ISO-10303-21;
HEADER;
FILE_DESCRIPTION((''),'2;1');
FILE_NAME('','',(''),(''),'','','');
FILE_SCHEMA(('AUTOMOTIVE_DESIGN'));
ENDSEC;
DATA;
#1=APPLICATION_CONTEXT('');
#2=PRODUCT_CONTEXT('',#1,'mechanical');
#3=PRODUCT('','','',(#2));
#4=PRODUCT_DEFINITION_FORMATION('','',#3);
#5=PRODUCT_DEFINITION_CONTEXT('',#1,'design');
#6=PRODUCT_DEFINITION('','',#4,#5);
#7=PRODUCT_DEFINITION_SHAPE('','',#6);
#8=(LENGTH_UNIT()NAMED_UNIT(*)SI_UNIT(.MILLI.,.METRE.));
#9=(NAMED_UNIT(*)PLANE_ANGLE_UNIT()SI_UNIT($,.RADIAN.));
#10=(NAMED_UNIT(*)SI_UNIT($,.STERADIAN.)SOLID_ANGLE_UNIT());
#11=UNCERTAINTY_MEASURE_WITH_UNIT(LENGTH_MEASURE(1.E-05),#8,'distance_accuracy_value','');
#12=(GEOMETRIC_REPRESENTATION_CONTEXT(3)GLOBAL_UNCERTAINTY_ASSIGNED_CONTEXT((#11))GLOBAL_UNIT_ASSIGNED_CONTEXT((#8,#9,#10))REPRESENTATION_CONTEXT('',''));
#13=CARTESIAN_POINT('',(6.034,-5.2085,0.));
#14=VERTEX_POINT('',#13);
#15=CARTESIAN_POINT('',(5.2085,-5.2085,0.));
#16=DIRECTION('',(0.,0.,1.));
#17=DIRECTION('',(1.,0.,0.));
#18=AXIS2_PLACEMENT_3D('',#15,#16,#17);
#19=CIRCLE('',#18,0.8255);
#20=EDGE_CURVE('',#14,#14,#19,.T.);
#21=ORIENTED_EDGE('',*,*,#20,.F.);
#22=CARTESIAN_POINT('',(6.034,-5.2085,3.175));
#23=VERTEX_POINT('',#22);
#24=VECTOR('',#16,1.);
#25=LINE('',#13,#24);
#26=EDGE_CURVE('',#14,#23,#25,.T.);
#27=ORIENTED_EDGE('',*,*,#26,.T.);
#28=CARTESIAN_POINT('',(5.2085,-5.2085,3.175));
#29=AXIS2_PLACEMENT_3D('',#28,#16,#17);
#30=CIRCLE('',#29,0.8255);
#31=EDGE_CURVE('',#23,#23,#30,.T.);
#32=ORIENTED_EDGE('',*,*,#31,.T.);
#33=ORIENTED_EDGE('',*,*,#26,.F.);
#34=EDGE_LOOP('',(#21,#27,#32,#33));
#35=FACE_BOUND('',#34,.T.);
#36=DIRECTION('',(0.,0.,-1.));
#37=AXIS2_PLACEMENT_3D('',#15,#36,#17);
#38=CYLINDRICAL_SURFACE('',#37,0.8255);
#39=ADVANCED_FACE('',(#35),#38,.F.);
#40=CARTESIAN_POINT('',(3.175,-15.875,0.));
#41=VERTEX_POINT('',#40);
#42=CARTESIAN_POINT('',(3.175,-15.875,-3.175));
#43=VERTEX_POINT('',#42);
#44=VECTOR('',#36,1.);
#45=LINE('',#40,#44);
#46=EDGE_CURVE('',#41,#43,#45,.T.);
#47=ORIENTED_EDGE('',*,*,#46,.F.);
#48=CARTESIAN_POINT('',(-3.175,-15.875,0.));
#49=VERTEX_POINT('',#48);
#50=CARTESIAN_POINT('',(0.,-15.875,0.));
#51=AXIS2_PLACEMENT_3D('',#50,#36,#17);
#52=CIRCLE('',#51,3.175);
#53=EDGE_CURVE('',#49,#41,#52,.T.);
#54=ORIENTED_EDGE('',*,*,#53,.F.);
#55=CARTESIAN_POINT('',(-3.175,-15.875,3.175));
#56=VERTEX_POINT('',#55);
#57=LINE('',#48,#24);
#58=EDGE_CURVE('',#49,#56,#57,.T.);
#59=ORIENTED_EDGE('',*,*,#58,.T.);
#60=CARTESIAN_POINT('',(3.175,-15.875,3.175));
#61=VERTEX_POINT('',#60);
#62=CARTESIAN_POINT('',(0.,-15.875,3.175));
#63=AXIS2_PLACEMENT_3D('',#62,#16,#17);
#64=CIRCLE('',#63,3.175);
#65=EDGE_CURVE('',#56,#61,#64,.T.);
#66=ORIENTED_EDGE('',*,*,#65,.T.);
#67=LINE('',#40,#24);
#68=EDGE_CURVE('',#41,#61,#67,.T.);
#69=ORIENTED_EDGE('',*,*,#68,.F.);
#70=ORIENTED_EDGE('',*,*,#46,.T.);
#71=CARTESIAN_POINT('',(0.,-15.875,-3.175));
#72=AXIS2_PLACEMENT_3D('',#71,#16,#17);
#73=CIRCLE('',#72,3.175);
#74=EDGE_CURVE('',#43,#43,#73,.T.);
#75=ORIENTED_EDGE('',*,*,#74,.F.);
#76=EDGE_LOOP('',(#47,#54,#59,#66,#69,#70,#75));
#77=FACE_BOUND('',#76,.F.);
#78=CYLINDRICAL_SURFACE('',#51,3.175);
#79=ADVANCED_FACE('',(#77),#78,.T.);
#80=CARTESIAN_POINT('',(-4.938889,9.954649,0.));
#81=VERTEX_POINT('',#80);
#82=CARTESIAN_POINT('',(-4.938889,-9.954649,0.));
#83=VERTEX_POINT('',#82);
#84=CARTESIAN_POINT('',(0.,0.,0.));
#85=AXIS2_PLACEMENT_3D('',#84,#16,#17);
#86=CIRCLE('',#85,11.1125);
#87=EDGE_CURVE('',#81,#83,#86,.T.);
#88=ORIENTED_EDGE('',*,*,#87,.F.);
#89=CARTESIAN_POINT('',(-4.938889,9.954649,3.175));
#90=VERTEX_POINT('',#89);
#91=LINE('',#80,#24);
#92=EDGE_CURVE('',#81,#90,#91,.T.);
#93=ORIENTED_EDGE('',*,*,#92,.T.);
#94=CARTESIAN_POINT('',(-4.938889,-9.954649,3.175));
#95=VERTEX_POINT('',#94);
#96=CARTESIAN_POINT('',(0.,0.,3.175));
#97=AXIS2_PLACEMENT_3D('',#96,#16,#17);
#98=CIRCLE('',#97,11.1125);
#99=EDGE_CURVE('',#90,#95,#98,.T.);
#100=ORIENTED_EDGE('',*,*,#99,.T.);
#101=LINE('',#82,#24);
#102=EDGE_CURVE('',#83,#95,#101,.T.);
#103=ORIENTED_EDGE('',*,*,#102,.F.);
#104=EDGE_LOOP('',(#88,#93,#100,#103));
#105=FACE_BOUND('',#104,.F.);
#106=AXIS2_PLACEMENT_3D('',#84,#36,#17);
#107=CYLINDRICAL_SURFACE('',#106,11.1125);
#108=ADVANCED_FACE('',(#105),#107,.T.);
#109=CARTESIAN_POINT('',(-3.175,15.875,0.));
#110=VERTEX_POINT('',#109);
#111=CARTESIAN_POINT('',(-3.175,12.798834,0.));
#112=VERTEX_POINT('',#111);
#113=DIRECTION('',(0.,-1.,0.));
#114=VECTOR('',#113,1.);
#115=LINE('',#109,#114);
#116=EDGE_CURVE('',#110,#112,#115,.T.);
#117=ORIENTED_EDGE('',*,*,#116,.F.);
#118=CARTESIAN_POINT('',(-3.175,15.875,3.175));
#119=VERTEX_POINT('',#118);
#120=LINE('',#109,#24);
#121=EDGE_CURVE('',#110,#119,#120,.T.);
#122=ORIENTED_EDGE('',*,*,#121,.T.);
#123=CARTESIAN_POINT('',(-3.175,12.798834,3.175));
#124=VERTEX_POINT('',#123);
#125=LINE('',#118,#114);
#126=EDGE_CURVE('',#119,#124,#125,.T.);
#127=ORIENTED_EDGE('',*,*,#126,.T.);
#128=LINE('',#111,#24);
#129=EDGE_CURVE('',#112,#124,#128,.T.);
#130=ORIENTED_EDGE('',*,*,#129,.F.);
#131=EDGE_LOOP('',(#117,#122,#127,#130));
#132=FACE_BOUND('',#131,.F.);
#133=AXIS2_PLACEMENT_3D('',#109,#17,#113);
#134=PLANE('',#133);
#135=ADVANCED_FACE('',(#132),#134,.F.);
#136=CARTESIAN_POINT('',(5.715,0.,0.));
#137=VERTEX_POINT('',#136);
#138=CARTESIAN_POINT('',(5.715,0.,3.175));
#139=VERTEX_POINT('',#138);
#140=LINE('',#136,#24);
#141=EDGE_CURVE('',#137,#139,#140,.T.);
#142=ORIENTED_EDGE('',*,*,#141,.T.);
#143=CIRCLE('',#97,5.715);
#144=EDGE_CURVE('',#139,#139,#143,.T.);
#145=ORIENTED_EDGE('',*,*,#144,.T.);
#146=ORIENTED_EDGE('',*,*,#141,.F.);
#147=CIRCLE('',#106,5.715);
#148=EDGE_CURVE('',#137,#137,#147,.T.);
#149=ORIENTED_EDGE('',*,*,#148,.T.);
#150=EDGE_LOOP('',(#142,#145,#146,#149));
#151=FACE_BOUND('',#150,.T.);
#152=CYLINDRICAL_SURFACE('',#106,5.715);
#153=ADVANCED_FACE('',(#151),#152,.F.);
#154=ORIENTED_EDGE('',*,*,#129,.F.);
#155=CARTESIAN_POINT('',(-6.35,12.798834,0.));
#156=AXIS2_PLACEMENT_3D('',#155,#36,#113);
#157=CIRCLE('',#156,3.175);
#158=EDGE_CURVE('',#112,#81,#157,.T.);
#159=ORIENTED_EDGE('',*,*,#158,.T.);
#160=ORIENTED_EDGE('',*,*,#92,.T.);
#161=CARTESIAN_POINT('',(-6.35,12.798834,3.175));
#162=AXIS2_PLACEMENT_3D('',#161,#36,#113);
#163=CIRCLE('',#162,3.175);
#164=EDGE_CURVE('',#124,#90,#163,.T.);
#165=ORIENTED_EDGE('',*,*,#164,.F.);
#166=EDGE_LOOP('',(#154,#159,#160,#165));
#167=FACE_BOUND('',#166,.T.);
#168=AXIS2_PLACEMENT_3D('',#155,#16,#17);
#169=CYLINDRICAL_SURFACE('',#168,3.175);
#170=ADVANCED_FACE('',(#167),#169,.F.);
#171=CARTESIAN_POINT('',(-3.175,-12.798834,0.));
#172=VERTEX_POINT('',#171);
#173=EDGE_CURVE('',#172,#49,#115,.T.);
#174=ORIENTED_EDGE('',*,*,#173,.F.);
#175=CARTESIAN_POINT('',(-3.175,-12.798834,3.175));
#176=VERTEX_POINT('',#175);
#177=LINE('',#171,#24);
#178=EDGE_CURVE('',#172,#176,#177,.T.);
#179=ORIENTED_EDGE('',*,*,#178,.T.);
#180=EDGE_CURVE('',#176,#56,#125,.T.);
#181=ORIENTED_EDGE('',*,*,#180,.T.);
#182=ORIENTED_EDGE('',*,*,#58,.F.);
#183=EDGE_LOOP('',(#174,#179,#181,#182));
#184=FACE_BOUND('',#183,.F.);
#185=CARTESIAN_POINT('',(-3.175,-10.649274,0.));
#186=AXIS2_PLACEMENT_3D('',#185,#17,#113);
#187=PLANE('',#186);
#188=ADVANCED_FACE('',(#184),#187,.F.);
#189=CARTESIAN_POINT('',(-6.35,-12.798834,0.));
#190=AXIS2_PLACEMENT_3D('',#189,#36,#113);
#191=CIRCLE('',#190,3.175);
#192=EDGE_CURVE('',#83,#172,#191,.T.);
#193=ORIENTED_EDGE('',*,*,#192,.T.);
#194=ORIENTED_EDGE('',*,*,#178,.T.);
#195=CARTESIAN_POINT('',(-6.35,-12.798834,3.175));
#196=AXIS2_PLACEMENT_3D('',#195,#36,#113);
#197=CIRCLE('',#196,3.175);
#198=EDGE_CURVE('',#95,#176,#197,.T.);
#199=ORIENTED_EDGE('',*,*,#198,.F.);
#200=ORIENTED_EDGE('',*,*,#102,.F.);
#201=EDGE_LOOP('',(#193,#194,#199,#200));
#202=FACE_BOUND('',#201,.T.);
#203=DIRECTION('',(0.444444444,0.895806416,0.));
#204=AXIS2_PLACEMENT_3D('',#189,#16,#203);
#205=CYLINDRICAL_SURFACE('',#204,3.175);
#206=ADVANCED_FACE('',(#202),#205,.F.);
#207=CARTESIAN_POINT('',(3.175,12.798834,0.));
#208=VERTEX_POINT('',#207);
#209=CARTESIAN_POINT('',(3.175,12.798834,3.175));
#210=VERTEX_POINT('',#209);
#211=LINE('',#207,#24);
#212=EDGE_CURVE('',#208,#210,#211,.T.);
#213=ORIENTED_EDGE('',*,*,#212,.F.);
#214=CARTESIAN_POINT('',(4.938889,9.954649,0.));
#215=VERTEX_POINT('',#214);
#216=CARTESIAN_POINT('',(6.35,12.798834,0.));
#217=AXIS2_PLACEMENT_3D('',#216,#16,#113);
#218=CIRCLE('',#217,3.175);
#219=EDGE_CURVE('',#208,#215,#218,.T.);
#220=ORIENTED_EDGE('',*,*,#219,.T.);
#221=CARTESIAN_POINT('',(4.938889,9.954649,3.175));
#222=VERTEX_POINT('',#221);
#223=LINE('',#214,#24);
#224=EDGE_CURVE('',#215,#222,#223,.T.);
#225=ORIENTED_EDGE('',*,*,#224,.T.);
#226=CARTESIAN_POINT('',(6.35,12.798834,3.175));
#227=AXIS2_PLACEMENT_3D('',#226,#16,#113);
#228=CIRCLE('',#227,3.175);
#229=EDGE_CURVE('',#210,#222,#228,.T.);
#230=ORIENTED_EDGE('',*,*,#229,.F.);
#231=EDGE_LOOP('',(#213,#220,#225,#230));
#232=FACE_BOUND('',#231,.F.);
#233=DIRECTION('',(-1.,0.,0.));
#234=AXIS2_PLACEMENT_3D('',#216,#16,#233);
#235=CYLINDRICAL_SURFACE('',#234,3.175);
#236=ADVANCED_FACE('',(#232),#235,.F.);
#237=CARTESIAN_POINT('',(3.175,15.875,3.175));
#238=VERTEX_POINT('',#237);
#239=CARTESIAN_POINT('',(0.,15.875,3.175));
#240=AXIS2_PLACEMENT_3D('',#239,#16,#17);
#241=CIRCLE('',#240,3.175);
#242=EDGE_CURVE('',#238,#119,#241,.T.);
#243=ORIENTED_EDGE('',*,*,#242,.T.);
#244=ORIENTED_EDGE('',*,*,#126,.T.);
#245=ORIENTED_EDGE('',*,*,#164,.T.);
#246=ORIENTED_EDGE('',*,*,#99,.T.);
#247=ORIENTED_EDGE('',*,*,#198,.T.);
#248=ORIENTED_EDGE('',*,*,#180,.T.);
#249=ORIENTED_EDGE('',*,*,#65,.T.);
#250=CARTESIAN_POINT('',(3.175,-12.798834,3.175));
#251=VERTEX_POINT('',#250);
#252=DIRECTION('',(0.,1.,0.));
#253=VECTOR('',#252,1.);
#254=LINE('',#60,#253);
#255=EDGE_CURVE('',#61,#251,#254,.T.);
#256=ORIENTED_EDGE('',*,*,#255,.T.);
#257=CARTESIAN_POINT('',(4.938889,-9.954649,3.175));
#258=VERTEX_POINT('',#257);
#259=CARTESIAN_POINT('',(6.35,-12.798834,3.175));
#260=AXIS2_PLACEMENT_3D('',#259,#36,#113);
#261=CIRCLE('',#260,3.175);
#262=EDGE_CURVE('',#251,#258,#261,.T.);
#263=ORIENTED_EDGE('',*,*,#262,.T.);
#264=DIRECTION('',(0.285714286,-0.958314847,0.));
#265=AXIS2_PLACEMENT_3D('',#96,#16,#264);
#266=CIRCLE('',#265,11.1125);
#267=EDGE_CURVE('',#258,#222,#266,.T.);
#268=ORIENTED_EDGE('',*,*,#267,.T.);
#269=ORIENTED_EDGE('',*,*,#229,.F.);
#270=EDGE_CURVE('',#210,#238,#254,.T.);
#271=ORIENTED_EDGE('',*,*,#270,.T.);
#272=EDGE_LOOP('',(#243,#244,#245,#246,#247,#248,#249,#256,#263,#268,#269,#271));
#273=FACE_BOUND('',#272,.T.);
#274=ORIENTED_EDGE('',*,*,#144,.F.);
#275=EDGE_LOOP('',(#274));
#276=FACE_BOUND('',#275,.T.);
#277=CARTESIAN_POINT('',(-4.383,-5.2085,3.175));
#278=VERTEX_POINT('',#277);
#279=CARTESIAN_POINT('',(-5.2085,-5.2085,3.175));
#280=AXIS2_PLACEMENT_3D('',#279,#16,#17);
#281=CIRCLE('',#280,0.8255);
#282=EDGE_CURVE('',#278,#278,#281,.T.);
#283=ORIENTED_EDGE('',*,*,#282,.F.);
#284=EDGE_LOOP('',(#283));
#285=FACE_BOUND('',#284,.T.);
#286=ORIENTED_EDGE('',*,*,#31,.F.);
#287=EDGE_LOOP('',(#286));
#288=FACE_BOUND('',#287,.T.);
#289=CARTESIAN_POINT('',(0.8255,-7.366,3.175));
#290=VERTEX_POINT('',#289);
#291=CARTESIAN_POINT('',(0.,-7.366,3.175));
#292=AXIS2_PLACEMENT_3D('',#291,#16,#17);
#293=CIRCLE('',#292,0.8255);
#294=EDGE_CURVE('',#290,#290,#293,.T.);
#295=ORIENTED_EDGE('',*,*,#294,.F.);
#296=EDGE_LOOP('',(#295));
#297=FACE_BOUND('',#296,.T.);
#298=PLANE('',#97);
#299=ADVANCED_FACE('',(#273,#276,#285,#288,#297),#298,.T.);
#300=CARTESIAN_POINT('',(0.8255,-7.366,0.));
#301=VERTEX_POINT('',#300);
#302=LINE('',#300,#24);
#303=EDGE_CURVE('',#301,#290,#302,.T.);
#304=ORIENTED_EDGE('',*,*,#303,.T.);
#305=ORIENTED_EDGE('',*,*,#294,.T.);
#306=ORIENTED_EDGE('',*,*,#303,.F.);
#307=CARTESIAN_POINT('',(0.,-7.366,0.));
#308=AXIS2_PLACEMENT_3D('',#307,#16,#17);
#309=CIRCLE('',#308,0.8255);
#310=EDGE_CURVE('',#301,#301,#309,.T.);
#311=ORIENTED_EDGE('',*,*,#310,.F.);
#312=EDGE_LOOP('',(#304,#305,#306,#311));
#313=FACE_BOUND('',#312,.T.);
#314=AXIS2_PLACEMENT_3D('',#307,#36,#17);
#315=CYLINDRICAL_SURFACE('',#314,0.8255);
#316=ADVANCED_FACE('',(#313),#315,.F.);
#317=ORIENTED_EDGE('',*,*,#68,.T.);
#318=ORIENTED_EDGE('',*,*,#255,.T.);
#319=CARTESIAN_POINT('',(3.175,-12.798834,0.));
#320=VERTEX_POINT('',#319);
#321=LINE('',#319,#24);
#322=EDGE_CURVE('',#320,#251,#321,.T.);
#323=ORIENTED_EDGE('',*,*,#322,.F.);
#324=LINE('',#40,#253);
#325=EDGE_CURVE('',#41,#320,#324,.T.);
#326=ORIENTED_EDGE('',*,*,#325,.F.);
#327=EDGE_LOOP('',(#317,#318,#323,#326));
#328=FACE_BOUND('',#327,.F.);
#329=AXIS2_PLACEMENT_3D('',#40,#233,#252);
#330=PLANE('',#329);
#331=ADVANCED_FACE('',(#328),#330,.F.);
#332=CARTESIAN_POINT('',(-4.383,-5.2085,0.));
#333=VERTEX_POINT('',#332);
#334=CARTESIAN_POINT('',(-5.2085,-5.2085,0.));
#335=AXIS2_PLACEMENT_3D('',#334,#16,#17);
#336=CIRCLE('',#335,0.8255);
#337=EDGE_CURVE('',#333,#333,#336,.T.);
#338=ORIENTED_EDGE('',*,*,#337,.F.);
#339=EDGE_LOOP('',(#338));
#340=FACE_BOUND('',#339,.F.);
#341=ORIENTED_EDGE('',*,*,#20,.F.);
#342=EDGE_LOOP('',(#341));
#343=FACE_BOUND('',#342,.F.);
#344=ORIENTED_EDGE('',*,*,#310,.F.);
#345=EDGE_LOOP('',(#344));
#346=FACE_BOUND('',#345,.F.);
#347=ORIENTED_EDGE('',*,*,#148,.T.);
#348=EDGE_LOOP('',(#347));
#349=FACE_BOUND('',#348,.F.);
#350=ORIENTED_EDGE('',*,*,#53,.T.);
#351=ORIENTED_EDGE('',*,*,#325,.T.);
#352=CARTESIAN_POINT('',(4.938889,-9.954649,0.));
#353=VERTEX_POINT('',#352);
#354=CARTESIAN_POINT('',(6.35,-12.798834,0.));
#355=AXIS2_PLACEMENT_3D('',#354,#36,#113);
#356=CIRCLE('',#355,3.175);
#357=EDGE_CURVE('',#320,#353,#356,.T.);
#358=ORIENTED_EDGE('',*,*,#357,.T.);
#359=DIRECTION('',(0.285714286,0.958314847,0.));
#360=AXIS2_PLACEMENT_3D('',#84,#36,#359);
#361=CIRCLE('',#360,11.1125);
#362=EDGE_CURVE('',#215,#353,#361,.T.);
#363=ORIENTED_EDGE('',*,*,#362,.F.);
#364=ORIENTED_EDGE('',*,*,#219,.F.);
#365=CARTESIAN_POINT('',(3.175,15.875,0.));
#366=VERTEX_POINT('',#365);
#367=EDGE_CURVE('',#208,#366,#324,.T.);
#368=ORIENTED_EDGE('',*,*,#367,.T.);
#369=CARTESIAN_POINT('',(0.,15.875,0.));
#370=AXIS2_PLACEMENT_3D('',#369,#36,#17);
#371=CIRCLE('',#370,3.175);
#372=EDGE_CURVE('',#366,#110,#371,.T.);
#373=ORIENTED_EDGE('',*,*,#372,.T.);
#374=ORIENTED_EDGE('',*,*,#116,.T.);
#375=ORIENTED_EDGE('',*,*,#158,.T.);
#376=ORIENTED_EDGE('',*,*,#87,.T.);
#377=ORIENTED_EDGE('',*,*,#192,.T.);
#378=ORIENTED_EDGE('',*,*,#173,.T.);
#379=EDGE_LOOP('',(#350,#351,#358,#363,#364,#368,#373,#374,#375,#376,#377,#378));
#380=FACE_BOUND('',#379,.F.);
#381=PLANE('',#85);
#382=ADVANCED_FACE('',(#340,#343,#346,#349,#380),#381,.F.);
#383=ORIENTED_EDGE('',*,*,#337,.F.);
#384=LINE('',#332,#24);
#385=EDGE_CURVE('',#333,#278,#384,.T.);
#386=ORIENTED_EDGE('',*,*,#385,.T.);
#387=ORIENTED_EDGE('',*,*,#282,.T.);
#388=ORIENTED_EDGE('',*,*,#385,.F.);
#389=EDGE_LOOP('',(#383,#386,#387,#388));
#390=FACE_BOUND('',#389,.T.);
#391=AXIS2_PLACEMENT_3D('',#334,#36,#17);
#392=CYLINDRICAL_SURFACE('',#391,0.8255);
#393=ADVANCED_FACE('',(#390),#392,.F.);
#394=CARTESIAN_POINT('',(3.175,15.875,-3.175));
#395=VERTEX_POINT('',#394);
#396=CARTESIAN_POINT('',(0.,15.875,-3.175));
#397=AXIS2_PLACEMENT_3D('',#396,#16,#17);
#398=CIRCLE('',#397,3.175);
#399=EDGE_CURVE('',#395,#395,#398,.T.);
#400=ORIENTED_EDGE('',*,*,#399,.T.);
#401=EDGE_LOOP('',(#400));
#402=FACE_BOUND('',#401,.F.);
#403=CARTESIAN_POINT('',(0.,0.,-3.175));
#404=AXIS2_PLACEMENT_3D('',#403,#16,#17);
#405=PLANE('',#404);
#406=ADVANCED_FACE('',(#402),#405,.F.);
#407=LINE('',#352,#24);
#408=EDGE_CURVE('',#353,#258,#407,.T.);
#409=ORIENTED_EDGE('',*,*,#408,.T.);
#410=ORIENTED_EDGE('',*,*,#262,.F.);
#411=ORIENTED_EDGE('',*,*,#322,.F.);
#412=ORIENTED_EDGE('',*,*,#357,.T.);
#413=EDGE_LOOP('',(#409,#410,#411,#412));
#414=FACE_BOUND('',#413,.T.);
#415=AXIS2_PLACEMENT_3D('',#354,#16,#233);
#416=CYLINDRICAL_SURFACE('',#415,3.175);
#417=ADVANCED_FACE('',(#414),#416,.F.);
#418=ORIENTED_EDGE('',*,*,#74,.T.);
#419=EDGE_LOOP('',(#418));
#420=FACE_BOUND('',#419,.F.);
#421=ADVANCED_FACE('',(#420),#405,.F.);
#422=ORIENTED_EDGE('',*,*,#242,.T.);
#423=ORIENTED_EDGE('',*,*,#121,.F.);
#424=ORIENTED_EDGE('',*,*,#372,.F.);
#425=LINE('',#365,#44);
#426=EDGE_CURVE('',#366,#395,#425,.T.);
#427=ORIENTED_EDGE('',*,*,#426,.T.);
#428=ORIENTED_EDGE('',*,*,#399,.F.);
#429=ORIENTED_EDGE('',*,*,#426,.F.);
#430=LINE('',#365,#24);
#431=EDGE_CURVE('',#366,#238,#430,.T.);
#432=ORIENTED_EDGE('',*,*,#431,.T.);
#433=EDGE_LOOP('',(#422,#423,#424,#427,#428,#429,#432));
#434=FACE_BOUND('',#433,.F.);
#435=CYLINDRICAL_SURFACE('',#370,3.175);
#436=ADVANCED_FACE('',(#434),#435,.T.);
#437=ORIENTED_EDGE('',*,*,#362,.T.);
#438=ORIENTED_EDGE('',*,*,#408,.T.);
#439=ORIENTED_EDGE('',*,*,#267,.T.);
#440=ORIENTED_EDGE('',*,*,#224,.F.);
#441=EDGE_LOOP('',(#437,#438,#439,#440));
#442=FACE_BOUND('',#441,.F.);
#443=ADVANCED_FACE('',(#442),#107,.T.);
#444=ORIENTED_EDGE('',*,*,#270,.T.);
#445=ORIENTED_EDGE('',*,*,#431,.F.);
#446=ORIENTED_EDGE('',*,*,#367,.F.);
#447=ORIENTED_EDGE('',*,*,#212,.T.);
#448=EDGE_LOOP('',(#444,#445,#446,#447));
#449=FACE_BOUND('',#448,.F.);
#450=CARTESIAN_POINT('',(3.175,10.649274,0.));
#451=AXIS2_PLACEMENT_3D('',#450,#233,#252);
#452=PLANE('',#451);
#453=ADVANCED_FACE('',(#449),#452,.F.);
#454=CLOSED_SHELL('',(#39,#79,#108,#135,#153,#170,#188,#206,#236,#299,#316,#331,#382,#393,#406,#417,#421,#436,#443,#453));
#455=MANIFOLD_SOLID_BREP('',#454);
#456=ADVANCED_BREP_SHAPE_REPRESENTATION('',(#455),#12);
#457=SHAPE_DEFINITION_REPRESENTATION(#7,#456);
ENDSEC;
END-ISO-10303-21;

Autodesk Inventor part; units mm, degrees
ref_plane "YZ Plane" through (0, 0, 0) normal (1, 0, 0) x (0, 1, 0)
ref_plane "XZ Plane" through (0, 0, 0) normal (0, 1, 0) x (-1, 0, 0)
ref_plane "XY Plane" through (0, 0, 0) normal (0, 0, 1) x (1, 0, 0)
sketch "Sketch1" plane through (0, 0, 0) normal (0, 0, 1) x (1, 0, 0)
  circle A0 centre (0, 0) radius 5.715
  circle A1 centre (0, 0) radius 15.875 construction
  circle A2 centre (0, 15.875) radius 3.175
  circle A3 centre (0, -15.875) radius 3.175
  circle A4 centre (0, 0) radius 11.1125
  line L0 (0, 15.875) -> (0, -15.875) construction
  line L1 (-3.175, 15.875) -> (-3.175, -15.875)
  line L2 (3.175, -15.875) -> (3.175, 15.875)
  arc A5 (3.175, 15.875) -> (-3.175, 15.875) centre (0, 15.875) ccw
  arc A6 (-3.175, -15.875) -> (3.175, -15.875) centre (0, -15.875) ccw
  circle A7 centre (0, -7.366) radius 0.8255
  circle A8 centre (0, 0) radius 7.366 construction
  circle A9 centre (5.2085, -5.2085) radius 0.8255
  circle A10 centre (-5.2085, -5.2085) radius 0.8255
  point P0 (-3.175, 10.6493)
  point P1 (-3.175, -10.6493)
  point P2 (3.175, -10.6493)
  point P3 (3.175, 10.6493)
  point P4 (3.175, 15.875)
  point P5 (3.175, -15.875)
  dimension "d0" = 11.43
  dimension "d1" = 31.75
  dimension "d2" = 6.35
  dimension "d3" = 22.225
  dimension "d6" = 1.651
  dimension "d12" = 14.732
  dimension "d13" = 45
  dimension "d14" = 45
extrude "Extrusion1" add sketch "Sketch1" along normal blind 3.175 contours A0 L2 A4 | A0 L1 A4 L2 | L2 A4 L1 A0 | A0 L1 A4 | A4 L1 A2 L2 | L2 A3 L1 A4 | A2 | A3
extrude "Extrusion2" add sketch "Sketch1" against normal blind 3.175 contours A2 | A3
fillet "Fillet1" radius 3.175 4 edges at (-3.175, -10.6493, 1.5875) (3.175, -10.6493, 1.5875) (-3.175, 10.6493, 1.5875) (3.175, 10.6493, 1.5875)
properties part number "EncoderPinRetainer" material "ABS Plastic"
